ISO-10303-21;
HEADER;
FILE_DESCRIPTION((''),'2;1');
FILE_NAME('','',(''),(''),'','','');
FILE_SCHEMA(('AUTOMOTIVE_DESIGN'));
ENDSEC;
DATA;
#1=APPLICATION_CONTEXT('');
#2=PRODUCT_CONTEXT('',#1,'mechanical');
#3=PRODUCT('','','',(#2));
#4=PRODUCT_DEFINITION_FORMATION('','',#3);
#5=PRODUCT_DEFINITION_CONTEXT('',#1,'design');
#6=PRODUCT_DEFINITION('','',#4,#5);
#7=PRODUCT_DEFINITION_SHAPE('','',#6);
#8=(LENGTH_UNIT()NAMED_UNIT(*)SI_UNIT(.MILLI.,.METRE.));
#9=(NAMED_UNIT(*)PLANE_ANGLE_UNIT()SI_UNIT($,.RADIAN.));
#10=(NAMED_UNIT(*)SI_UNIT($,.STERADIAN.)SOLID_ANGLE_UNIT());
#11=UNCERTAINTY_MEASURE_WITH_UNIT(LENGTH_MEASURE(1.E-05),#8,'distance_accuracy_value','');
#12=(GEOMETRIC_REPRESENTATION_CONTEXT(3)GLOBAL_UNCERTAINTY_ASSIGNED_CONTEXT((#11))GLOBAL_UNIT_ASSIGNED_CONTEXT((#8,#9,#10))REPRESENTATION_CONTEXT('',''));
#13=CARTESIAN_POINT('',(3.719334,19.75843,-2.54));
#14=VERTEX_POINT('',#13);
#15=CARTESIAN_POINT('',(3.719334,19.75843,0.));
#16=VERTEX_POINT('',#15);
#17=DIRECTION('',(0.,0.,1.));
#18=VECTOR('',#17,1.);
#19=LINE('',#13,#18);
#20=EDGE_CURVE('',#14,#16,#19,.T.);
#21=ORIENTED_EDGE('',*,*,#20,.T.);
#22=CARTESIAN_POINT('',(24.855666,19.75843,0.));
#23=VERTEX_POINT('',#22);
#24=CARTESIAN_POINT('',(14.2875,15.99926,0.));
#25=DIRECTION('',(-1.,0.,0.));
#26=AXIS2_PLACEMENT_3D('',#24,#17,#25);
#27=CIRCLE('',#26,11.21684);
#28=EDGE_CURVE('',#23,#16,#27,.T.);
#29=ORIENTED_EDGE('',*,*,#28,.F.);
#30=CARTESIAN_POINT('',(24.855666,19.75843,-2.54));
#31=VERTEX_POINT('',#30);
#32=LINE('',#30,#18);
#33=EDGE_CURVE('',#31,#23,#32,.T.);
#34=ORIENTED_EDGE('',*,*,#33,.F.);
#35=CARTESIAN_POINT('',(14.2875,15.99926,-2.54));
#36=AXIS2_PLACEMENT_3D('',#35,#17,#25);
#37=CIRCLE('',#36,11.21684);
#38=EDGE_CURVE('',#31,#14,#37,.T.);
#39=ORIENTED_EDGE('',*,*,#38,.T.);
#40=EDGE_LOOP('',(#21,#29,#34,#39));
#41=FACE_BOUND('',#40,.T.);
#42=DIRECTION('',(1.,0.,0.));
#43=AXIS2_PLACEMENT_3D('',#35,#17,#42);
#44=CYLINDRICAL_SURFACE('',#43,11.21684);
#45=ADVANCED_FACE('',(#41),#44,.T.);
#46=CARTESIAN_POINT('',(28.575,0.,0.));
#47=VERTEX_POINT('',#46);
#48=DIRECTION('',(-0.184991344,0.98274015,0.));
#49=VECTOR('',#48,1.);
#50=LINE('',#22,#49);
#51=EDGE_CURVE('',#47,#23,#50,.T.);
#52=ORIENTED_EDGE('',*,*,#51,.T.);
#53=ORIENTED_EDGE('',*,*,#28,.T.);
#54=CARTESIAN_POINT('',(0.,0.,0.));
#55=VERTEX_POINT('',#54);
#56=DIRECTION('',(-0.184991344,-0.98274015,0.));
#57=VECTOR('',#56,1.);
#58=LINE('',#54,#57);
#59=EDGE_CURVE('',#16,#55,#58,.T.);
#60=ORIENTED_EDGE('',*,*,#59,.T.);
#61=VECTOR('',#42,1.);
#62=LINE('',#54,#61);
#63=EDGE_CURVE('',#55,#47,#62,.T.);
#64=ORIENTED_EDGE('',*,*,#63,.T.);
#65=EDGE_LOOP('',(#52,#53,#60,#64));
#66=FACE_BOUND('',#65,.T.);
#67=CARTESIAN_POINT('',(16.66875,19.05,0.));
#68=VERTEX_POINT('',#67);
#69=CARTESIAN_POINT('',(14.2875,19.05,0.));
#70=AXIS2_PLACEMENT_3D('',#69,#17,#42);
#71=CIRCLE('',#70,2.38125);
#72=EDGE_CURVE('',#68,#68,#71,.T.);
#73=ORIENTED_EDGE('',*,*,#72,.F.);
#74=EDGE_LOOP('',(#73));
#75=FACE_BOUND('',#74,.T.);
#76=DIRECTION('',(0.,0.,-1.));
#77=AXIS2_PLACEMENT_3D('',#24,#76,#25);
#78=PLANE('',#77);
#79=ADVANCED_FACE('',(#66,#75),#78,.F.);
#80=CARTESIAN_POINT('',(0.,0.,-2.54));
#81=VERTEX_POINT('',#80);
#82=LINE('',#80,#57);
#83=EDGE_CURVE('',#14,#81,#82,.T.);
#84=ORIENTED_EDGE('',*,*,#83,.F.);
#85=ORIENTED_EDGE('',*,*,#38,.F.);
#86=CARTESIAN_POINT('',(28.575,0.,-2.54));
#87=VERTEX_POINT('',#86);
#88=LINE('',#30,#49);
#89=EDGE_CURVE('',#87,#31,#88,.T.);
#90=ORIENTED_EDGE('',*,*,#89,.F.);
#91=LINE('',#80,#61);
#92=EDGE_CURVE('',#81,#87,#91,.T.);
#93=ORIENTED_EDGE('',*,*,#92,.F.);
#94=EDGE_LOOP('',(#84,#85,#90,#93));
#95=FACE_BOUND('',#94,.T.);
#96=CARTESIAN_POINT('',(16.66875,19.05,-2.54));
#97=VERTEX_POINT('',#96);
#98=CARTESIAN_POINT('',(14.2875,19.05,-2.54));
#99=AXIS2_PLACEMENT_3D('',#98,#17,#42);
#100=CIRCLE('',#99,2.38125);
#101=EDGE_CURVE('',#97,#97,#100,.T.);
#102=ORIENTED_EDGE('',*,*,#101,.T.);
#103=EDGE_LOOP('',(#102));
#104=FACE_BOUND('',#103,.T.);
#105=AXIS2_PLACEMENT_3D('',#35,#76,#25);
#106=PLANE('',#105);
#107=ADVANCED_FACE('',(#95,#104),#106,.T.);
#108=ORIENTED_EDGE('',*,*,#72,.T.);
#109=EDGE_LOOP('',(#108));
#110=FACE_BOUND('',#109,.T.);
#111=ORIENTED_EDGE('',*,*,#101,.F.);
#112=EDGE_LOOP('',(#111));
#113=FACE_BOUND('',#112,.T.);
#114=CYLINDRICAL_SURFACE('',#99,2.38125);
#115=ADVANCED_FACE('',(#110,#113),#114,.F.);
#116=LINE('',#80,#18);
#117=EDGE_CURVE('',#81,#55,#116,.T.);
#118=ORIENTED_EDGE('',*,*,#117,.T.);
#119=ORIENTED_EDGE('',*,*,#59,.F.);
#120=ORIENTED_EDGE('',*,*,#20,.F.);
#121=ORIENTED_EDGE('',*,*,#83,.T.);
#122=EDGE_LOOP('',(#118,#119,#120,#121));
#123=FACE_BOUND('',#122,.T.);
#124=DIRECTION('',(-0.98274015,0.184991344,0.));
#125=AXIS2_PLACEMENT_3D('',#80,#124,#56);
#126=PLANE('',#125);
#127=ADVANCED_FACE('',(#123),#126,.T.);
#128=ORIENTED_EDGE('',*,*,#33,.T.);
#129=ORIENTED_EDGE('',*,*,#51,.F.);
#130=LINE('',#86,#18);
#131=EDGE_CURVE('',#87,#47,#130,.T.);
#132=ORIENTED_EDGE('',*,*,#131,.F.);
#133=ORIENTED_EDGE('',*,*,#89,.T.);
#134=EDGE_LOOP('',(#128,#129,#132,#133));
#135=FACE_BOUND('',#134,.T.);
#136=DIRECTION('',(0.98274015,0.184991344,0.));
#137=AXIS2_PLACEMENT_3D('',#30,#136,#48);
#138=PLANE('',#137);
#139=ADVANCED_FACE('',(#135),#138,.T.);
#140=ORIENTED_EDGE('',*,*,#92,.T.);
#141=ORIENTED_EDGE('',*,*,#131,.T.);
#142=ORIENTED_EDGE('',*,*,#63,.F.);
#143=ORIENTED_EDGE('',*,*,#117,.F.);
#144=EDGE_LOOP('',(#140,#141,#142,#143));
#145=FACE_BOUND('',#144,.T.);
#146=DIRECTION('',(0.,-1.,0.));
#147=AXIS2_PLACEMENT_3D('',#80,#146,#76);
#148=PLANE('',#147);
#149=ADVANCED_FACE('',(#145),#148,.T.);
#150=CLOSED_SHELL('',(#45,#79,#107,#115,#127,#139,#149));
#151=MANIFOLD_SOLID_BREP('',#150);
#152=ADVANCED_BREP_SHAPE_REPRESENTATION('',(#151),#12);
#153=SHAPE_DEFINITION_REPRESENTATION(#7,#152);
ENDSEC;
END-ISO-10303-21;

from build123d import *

# Parameters (mm, degrees)
SKETCH1_R           = 2.38125
BOSS_EXTRUDE1_DEPTH = 2.54


with BuildPart() as part:
    # Sketch1 → Boss-Extrude1 (new body)
    with BuildSketch(Plane.XY):
        with BuildLine():
            Line((0, 0), (28.575, 0))
            Line((28.575, 0), (24.855666251, 19.758430469))
            ThreePointArc((24.855666251, 19.758430469), (14.2875, 27.2161), (3.719333749, 19.758430469))
            Line((3.719333749, 19.758430469), (0, 0))
        make_face()
        with Locations((14.2875, 19.05)):
            Circle(SKETCH1_R, mode=Mode.SUBTRACT)
    extrude(amount=-BOSS_EXTRUDE1_DEPTH)


solid = part.part
